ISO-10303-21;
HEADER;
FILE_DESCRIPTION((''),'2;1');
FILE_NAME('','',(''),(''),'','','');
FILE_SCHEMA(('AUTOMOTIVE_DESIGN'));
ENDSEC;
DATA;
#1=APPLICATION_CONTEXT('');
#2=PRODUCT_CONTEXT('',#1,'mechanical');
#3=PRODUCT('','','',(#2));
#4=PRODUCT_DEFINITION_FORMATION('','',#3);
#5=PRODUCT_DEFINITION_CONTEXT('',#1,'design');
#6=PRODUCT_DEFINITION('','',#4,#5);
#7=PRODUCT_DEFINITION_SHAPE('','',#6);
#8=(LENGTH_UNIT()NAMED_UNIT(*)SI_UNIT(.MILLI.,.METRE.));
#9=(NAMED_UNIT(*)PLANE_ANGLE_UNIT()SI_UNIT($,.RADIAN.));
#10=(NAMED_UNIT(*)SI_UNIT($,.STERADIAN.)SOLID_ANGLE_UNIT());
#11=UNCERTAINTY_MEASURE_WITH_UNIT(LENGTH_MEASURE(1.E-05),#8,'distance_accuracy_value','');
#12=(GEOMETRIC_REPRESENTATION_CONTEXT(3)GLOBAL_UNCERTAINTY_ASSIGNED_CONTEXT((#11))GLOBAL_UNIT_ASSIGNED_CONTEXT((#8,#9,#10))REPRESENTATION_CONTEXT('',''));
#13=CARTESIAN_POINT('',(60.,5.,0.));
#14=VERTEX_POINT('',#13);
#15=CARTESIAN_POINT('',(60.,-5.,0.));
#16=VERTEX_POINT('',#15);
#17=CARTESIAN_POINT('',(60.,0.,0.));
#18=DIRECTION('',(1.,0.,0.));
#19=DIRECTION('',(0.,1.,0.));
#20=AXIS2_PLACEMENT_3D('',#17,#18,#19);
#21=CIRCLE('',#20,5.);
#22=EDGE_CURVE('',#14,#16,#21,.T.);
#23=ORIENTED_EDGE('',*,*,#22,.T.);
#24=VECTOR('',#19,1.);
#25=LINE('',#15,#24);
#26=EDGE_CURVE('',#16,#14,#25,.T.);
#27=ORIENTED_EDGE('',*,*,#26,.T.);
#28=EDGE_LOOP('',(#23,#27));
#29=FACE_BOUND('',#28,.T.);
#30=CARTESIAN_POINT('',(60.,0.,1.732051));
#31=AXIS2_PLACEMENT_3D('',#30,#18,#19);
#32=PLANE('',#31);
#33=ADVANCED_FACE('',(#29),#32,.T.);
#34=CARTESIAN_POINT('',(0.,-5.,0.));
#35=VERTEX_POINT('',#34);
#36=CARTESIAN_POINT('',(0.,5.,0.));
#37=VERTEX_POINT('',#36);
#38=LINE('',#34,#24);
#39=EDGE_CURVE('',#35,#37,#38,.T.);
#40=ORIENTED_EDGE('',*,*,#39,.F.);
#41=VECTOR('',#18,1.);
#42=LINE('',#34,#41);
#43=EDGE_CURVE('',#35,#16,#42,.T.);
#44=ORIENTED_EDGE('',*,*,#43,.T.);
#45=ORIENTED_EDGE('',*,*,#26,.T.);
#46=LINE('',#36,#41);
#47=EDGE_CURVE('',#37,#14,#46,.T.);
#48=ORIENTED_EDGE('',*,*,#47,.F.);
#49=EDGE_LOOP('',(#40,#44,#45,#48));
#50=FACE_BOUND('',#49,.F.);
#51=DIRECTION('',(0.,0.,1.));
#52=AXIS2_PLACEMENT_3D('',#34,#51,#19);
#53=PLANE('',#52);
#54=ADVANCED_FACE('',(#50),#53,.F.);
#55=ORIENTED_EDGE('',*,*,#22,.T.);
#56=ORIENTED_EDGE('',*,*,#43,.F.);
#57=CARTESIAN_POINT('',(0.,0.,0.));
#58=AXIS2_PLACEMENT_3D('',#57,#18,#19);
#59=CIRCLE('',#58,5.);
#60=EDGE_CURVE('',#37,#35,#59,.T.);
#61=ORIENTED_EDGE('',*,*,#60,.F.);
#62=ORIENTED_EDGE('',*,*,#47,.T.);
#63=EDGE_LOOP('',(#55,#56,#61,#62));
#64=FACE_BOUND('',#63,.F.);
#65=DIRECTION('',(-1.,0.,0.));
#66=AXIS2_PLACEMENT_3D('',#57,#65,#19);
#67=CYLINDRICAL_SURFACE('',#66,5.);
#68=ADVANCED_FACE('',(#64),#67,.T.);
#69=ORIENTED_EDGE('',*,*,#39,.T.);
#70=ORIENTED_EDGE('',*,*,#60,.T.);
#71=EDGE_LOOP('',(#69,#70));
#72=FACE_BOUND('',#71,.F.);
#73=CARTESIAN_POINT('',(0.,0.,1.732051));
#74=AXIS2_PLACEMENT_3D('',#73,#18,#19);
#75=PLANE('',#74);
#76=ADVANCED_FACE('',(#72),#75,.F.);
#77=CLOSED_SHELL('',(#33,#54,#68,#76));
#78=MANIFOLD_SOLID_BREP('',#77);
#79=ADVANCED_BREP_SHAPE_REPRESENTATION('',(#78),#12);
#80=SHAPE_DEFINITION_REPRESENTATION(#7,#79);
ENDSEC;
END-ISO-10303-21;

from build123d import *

# Parameters (mm, degrees)
F1_DEPTH = 60


with BuildPart() as f1:
    # F0 (on Right) → F1 (new body)
    with BuildSketch(Plane.YZ):
        with BuildLine():
            Line((-5, 0), (5, 0))
            ThreePointArc((5, 0), (0, 5), (-5, 0))
        make_face()
    extrude(amount=F1_DEPTH)


solid = f1.part
